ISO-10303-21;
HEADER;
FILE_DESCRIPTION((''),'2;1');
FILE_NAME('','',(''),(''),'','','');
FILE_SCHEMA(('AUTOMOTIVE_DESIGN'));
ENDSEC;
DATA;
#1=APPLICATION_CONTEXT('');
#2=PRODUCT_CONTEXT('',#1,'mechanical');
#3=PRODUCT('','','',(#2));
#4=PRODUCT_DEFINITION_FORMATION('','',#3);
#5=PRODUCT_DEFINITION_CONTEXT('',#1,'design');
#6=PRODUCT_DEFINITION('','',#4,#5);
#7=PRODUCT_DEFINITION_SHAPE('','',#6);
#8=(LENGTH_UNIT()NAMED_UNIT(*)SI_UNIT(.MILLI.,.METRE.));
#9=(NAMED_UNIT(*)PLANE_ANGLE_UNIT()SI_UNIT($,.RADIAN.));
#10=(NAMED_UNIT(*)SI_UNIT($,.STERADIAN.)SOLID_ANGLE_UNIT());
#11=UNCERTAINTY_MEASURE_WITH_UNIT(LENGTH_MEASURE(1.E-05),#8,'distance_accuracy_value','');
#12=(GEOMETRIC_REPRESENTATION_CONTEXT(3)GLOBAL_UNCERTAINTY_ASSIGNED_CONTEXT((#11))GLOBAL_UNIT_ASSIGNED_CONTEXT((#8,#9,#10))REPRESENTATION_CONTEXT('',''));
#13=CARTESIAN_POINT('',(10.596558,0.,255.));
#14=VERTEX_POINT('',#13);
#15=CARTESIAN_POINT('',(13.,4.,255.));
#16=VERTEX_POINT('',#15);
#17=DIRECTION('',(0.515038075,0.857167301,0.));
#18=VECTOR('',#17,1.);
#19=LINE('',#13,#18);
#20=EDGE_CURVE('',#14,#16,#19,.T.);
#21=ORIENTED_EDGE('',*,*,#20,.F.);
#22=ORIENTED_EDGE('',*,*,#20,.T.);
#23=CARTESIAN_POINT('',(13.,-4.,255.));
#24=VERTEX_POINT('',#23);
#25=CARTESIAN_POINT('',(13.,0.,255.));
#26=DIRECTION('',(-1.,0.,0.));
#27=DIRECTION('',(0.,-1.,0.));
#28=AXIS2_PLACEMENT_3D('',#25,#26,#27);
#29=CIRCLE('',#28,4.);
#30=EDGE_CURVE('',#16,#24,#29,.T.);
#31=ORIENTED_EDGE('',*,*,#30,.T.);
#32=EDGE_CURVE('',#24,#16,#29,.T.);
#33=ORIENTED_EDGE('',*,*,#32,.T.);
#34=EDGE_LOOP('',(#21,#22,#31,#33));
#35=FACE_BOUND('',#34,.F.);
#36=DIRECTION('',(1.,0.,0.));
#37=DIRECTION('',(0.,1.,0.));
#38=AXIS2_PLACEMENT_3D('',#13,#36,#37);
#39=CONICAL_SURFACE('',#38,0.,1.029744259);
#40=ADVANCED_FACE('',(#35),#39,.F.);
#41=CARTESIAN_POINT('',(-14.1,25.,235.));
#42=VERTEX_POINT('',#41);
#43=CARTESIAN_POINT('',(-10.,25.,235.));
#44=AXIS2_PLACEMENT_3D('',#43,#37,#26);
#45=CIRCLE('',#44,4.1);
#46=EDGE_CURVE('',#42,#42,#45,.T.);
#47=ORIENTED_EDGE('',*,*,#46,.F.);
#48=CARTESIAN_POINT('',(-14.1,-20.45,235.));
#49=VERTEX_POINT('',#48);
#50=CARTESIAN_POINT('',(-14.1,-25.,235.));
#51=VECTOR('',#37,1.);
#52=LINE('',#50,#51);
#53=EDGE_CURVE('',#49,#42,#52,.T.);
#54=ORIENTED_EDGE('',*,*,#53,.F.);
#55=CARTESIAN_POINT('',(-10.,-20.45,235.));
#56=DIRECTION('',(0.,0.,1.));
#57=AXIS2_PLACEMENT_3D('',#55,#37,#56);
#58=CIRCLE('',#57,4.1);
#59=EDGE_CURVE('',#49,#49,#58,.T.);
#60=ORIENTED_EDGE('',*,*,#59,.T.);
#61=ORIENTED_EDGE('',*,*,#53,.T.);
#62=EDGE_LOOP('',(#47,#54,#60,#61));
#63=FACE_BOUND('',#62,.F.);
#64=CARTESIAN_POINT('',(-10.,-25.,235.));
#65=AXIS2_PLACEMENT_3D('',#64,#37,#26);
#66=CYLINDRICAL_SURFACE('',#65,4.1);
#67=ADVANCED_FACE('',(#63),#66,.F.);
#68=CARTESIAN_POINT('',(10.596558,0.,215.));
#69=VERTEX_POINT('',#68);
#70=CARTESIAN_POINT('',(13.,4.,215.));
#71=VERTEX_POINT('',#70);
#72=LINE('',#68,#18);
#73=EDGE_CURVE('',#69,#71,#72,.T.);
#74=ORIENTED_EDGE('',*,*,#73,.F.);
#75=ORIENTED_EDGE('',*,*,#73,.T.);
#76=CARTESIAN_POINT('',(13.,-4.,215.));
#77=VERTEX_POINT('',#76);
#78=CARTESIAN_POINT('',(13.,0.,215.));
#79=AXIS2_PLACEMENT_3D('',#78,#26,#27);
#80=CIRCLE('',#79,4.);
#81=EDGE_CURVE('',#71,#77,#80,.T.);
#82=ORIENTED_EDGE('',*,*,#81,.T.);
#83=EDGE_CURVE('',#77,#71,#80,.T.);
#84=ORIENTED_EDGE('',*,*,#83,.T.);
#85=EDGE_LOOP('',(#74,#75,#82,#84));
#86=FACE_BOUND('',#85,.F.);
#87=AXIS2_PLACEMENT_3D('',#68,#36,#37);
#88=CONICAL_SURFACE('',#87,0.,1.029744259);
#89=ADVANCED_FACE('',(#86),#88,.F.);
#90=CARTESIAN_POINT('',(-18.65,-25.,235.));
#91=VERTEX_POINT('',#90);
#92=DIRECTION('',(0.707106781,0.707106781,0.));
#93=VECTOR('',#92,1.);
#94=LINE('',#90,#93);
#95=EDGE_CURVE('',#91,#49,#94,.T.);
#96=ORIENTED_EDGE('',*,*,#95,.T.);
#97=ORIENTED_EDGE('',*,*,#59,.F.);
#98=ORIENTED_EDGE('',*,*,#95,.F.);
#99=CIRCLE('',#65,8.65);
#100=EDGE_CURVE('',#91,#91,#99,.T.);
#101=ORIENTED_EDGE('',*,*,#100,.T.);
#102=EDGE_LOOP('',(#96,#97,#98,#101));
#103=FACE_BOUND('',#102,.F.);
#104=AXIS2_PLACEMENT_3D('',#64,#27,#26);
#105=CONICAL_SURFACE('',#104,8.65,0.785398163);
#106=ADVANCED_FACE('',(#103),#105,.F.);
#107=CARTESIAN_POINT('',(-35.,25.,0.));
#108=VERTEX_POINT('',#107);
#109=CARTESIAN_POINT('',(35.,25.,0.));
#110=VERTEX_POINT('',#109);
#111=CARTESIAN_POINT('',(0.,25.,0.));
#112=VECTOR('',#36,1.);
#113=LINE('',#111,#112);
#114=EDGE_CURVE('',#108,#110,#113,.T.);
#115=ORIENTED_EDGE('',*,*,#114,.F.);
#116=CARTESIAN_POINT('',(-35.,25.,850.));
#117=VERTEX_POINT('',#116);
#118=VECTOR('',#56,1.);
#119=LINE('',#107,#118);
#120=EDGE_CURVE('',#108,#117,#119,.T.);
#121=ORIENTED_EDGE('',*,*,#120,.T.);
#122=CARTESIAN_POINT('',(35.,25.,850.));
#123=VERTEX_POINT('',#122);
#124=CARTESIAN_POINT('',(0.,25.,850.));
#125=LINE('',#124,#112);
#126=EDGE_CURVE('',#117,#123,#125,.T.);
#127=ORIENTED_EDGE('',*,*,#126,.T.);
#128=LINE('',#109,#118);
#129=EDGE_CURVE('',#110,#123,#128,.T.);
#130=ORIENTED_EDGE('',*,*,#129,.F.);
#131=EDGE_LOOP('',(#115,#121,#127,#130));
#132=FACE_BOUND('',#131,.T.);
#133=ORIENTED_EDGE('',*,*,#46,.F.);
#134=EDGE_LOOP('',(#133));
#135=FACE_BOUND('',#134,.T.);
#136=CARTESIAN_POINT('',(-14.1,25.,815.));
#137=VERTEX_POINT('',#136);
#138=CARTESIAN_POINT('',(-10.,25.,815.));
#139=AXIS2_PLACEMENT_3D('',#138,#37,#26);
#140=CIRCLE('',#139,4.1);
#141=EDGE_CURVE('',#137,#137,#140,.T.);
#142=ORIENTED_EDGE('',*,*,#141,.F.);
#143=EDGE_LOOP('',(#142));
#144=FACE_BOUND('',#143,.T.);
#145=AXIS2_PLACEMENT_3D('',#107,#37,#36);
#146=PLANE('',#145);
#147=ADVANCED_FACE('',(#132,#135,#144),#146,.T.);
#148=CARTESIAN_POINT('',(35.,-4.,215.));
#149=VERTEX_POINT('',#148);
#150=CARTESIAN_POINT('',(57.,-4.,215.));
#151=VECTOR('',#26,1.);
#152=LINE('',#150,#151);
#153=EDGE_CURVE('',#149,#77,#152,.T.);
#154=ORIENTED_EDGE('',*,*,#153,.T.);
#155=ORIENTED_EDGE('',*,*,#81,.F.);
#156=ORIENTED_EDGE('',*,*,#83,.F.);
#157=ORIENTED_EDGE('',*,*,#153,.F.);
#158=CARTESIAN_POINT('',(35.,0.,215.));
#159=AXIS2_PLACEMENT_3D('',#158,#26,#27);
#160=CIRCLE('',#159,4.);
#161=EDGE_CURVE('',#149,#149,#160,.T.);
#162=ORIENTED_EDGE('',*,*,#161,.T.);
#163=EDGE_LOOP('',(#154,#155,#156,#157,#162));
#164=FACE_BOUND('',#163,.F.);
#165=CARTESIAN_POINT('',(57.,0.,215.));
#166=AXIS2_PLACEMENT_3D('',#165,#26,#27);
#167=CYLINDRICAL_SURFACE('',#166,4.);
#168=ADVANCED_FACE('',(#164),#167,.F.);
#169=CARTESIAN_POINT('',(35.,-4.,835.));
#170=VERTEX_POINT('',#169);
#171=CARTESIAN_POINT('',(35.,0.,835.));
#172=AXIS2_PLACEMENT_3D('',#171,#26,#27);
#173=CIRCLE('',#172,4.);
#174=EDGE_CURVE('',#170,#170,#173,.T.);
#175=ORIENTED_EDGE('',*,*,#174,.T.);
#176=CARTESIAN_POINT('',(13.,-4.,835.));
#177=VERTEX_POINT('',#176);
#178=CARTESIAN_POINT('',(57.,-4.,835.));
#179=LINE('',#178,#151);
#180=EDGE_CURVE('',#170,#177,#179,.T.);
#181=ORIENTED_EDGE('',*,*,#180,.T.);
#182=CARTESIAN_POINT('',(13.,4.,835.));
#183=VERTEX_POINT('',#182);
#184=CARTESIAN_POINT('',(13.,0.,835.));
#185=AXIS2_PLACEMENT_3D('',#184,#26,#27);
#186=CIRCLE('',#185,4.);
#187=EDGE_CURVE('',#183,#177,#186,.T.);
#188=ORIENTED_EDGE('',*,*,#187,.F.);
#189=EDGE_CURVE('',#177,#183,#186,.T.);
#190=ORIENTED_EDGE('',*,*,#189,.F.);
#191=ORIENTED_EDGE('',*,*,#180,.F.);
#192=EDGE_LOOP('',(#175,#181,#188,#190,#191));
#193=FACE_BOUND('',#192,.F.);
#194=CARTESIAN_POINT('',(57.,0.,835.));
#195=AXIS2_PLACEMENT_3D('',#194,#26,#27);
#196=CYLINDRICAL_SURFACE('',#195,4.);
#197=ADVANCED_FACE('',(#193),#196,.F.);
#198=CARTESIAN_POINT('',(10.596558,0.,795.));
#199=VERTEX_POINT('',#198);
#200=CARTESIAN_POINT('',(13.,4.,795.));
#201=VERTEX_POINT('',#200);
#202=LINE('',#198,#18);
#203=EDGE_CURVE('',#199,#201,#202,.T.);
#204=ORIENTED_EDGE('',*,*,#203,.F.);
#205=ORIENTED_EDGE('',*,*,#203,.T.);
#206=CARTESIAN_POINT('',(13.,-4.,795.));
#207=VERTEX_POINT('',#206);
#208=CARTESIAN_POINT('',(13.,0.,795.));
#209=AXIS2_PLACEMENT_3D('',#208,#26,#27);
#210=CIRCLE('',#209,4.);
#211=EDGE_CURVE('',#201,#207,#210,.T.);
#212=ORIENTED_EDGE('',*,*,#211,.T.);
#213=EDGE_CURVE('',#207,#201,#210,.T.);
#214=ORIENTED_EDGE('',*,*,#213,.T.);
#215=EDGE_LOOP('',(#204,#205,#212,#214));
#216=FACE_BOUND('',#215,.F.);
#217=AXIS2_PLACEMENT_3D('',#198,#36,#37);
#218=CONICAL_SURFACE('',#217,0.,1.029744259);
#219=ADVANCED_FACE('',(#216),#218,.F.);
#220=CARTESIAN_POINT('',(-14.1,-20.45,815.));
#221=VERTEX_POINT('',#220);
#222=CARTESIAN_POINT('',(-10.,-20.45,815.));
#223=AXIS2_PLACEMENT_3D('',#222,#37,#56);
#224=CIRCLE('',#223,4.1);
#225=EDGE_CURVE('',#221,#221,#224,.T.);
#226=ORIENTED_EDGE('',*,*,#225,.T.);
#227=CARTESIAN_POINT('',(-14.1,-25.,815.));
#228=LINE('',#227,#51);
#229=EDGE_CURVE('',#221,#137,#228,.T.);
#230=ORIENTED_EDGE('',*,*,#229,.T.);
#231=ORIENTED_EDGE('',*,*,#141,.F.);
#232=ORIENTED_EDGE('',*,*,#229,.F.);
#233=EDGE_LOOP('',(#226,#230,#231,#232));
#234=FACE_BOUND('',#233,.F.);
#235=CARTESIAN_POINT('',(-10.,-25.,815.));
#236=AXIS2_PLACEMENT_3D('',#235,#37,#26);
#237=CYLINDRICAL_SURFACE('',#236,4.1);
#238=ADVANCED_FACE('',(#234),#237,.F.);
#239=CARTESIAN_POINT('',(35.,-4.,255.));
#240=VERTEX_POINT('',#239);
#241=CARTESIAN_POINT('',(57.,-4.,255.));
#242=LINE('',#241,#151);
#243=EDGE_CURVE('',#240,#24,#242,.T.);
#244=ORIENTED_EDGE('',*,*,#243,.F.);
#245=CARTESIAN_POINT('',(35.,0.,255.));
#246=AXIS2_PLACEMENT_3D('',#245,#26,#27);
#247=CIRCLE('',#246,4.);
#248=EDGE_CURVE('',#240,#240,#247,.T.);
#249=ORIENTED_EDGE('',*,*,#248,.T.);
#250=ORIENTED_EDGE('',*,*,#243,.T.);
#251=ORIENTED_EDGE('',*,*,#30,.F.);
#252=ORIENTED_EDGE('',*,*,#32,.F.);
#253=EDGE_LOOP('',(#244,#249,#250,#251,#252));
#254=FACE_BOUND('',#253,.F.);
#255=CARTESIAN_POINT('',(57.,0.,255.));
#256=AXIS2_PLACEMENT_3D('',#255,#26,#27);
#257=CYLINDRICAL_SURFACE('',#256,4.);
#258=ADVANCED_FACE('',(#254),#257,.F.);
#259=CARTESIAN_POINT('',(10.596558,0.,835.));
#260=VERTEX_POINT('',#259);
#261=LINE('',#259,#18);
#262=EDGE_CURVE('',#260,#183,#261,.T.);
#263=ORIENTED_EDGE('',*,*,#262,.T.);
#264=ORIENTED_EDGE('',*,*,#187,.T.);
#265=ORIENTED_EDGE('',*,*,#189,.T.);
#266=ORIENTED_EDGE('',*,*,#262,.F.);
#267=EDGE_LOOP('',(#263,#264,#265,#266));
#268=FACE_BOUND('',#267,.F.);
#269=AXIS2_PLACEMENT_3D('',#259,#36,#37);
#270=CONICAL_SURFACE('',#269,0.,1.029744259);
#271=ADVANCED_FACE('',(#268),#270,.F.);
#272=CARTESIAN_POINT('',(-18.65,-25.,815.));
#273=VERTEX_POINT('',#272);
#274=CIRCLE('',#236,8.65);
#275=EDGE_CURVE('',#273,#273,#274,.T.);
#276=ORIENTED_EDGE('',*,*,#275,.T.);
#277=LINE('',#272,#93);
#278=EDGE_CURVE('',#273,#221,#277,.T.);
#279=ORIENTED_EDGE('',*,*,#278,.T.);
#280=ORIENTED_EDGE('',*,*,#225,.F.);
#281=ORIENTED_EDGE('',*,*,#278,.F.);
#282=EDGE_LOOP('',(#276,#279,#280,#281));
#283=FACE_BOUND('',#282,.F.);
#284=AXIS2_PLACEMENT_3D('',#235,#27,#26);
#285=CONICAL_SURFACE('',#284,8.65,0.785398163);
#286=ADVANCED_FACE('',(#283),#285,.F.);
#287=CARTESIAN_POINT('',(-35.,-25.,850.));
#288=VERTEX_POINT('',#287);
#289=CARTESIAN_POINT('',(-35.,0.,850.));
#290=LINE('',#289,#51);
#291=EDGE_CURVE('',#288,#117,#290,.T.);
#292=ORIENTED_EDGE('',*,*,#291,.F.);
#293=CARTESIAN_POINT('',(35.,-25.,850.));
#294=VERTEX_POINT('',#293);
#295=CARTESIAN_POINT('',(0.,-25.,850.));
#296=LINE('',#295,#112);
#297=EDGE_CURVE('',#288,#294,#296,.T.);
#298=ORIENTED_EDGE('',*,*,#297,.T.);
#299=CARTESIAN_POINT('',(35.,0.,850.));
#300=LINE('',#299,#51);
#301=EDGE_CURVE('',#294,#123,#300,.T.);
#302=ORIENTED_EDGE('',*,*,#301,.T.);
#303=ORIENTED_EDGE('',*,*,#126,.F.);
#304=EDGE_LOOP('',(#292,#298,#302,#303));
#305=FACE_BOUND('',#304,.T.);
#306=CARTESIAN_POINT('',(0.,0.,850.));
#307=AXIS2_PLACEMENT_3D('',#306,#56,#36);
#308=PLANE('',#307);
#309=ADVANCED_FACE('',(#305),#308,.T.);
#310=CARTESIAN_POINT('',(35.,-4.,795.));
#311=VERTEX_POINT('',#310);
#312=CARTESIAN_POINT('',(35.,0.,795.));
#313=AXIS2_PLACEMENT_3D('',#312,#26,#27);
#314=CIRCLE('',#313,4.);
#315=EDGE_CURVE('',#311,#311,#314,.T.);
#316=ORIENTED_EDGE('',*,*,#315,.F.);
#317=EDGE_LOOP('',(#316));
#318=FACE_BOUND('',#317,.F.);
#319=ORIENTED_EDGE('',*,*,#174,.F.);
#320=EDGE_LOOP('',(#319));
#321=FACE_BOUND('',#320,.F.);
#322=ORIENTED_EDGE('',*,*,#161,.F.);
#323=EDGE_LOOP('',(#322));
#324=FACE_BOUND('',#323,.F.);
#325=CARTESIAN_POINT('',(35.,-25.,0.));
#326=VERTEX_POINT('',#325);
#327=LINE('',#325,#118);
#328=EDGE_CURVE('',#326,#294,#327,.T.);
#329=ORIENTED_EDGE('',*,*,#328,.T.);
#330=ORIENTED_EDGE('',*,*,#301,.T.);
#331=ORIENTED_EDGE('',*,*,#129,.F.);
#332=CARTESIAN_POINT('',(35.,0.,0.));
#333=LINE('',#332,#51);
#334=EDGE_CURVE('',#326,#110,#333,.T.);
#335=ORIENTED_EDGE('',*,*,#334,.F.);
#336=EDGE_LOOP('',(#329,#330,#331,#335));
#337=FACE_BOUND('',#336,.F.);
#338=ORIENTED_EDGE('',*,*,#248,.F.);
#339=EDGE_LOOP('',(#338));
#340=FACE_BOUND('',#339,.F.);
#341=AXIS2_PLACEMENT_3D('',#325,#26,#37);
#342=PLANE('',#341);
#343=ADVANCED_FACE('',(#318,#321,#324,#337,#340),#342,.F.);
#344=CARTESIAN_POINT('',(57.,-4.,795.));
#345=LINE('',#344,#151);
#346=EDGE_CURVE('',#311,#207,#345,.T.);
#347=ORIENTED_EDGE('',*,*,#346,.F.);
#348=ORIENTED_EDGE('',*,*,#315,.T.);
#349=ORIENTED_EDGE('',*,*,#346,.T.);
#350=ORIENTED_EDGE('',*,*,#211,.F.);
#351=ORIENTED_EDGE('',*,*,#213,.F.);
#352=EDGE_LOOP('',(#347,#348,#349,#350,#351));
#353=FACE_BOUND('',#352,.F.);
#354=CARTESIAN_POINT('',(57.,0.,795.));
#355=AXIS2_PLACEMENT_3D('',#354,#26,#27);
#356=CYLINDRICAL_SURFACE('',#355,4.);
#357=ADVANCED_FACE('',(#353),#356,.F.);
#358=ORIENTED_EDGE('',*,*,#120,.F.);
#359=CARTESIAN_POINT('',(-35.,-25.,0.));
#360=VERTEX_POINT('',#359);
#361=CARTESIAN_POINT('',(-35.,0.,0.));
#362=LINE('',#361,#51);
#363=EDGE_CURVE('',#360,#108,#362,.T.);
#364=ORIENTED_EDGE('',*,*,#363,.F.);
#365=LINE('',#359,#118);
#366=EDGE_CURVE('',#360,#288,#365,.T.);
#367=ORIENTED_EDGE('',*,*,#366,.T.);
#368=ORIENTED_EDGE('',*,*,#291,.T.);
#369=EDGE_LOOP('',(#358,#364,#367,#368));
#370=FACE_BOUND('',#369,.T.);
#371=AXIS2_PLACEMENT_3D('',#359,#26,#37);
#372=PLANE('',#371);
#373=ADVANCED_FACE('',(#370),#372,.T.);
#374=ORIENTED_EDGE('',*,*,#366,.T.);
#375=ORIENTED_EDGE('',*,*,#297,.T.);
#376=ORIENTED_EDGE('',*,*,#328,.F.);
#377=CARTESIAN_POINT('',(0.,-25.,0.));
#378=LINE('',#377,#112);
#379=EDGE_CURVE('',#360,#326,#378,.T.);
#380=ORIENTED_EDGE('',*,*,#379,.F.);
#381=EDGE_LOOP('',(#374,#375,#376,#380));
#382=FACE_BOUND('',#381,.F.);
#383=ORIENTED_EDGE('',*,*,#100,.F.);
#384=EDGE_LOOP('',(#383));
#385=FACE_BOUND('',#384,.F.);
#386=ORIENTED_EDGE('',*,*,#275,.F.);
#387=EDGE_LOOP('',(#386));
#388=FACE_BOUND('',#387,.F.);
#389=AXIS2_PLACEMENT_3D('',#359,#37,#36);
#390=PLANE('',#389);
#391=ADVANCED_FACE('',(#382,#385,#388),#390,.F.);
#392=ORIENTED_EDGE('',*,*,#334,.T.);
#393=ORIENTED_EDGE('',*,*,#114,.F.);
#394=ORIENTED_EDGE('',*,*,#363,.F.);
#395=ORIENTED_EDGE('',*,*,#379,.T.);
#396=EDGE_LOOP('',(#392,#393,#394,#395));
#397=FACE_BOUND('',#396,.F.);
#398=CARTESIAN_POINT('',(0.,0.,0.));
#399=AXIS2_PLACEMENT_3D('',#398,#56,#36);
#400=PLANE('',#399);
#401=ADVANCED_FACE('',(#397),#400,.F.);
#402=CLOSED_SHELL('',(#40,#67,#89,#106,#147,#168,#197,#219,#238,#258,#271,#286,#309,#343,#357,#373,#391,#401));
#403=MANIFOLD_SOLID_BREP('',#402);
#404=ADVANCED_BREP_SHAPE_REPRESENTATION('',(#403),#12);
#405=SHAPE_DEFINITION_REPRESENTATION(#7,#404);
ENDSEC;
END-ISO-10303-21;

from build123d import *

# Parameters (mm, degrees)
F0_W           = 70
F0_H           = 50
F1_DEPTH       = 850
F3_D           = 8
F3_DEPTH       = 22
F3_TIP         = 2.4034424761
F5_D           = 8.2
F5_CSINK_D     = 17.3
F5_CSINK_ANGLE = 90


with BuildPart() as f1:
    # F0 (on Top) → F1 (new body)
    with BuildSketch(Plane.XY):
        Rectangle(F0_W, F0_H)
    extrude(amount=F1_DEPTH)

    # F3
    with Locations(Plane.YZ.offset(35)):
        with Locations((0, 215), (0, 255), (0, 795), (0, 835)):
            Hole(F3_D / 2, depth=F3_DEPTH)
            with Locations((0, 0, -(F3_DEPTH + F3_TIP / 2))):  # 118° drill point
                Cone(0, F3_D / 2, F3_TIP, mode=Mode.SUBTRACT)

    # F5 (through all)
    with Locations(Plane.XZ.offset(25)):
        with Locations((-10, 235), (-10, 815)):
            CounterSinkHole(F5_D / 2, F5_CSINK_D / 2, counter_sink_angle=F5_CSINK_ANGLE)


solid = f1.part
